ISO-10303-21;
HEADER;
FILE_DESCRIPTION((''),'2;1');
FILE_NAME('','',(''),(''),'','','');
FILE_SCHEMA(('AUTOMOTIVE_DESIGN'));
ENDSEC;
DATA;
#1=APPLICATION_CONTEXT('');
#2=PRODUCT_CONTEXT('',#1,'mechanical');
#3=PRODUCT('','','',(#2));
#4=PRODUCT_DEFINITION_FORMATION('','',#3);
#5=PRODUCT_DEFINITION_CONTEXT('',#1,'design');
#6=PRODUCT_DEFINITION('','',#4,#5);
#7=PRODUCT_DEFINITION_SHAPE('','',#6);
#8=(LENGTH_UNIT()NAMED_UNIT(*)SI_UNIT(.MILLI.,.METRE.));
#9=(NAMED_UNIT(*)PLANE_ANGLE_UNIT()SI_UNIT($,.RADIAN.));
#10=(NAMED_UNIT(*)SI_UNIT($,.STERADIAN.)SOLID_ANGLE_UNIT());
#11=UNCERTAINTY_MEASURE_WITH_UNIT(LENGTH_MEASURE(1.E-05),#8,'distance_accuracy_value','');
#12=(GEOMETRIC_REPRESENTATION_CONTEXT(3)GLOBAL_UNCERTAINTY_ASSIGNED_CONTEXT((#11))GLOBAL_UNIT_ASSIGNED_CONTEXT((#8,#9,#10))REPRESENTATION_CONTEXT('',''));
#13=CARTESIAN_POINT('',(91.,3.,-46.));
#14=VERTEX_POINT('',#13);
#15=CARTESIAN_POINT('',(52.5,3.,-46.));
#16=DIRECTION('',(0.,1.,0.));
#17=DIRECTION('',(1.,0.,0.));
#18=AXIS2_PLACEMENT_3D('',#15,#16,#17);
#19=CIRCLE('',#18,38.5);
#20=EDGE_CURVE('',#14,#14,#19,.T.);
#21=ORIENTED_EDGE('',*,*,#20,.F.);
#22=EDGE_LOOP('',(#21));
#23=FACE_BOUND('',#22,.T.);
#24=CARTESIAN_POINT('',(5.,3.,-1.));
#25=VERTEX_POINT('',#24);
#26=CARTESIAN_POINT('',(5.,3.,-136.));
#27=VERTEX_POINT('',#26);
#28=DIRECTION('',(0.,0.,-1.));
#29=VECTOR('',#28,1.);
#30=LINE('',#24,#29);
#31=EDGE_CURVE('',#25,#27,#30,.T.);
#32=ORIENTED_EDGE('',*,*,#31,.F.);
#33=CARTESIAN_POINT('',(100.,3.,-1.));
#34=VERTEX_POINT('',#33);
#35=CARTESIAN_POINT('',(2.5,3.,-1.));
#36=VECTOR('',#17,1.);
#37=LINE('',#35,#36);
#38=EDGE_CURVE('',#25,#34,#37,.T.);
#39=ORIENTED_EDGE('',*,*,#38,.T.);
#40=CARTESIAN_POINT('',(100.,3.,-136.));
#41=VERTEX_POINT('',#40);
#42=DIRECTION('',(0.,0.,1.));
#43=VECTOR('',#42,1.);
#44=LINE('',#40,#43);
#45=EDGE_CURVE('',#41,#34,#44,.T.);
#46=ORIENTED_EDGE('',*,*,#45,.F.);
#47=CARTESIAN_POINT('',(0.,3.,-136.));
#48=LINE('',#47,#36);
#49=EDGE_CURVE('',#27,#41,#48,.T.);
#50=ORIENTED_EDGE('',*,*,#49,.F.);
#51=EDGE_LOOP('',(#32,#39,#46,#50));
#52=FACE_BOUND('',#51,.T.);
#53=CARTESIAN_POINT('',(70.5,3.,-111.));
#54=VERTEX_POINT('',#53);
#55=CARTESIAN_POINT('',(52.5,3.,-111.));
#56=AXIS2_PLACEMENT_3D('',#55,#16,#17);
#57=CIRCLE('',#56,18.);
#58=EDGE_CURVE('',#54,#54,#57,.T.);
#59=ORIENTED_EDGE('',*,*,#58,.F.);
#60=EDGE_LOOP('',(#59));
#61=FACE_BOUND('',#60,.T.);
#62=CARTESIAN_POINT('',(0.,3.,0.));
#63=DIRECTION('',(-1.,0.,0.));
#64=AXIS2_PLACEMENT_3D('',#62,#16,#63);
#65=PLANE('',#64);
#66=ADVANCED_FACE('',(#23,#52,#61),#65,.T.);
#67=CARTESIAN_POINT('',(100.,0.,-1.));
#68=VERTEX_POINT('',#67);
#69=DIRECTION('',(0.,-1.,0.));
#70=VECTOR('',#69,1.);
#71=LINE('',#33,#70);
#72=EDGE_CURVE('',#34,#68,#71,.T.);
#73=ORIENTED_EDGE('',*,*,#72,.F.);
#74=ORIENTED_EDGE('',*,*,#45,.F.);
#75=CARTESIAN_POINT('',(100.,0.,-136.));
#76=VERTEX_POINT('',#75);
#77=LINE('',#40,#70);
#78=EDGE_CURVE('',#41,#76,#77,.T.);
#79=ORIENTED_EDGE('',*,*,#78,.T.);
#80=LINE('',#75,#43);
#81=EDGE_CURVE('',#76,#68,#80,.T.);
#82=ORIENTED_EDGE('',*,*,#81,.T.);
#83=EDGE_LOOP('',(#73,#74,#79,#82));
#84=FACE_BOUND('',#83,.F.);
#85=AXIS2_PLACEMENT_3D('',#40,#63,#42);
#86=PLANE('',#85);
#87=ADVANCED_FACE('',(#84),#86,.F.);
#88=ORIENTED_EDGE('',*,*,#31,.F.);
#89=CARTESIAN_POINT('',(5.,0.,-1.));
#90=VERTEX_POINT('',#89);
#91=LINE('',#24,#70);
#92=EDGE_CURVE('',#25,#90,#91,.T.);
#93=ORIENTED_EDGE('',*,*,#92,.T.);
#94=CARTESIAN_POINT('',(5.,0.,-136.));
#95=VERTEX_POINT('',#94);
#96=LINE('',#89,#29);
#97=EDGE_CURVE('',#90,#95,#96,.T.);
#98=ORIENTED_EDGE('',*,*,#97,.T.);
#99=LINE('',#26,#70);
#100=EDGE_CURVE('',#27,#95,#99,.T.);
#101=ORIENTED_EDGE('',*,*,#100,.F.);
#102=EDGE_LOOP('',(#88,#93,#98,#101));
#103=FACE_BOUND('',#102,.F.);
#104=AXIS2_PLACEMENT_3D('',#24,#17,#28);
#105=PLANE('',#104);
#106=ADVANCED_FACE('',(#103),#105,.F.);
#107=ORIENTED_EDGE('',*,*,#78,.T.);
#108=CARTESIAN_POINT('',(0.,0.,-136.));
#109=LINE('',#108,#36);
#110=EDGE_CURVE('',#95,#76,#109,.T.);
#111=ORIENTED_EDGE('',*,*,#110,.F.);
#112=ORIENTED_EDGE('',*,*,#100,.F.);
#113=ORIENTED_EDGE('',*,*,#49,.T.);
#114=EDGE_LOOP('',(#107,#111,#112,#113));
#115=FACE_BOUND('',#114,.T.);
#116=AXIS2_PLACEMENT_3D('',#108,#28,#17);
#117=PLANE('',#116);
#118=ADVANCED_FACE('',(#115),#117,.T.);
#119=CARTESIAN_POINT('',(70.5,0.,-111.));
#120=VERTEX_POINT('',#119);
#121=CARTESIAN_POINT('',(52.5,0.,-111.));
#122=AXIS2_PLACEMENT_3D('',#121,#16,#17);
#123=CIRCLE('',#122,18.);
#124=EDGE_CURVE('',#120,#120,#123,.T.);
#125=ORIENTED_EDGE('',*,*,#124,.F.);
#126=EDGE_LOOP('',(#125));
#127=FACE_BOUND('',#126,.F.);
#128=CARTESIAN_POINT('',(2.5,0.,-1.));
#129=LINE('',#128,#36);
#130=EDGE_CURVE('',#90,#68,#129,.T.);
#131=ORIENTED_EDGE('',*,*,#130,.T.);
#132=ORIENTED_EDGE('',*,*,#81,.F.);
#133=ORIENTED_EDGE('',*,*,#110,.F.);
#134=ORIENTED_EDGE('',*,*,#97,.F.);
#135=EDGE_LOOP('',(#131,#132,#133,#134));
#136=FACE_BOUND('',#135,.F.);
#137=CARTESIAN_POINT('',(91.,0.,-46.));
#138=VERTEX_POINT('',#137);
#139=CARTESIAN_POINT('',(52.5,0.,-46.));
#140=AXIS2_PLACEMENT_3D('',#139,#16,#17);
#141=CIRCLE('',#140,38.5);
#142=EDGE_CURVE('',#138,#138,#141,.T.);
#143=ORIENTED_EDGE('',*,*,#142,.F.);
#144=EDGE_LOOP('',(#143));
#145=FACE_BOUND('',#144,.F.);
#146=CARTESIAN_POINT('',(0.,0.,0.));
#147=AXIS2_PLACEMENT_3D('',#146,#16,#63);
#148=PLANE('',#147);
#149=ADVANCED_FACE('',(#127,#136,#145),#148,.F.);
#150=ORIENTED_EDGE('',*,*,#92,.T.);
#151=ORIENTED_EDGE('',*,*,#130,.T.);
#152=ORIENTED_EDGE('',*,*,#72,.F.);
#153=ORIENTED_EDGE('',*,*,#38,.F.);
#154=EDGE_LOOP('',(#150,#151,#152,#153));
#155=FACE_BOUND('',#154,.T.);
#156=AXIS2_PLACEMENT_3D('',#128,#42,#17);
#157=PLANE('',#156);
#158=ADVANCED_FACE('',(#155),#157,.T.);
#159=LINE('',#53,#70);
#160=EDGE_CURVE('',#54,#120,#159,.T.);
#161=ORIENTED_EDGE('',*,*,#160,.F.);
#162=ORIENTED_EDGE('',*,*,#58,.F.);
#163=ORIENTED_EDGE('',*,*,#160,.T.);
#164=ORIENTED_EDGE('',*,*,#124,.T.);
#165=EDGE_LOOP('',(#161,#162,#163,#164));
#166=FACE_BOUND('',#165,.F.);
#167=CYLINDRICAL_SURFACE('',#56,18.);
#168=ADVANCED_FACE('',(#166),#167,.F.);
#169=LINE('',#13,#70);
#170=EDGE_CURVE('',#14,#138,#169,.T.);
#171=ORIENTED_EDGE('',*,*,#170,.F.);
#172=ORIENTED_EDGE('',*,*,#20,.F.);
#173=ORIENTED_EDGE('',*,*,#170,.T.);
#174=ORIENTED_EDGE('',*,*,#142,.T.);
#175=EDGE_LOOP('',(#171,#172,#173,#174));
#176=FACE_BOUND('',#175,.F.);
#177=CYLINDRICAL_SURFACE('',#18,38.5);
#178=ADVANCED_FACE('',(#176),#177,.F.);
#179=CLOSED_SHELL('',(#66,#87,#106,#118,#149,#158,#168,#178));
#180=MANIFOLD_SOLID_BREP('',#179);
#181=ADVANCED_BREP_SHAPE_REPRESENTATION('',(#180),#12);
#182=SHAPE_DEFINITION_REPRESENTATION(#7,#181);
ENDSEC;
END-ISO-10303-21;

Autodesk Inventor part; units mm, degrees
ref_plane "YZ Plane" through (0, 0, 0) normal (1, 0, 0) x (0, 1, 0)
ref_plane "XZ Plane" through (0, 0, 0) normal (0, 1, 0) x (-1, 0, 0)
ref_plane "XY Plane" through (0, 0, 0) normal (0, 0, 1) x (1, 0, 0)
sketch "Boceto1" plane through (0, 0, 0) normal (0, 1, 0) x (-1, 0, 0)
  line L0 (0, 0) -> (-105, 0)
  line L1 (-105, 0) -> (-105, -140)
  line L2 (-105, -140) -> (0, -140)
  line L3 (0, -140) -> (0, 0)
  dimension "d0" = 105
  dimension "d1" = 140
extrude "Extrusión1" add sketch "Boceto1" along normal blind 3
sketch "Boceto2" plane through (0, 3, 0) normal (0, 1, 0) x (1, 0, 0)
  line L0 (0, 0) -> (105, 0) projected
  line L1 (105, 0) -> (105, 140) projected
  line L2 (105, 140) -> (0, 140) projected
  line L3 (0, 140) -> (0, 0) projected
  circle A0 centre (52.5, 46) radius 38.5
  circle A1 centre (52.5, 111) radius 18
  dimension "d4" = 77
  dimension "d5" = 46
  dimension "d6" = 52.5
  dimension "d7" = 36
  dimension "d8" = 52.5
  dimension "d13" = 65
extrude "Extrusión2" cut sketch "Boceto2" against normal blind 3 contours A0 | A1
sketch "Boceto3" plane through (0, 0, 0) normal (0, -1, 0) x (1, 0, 0)
  circle A0 centre (52.5, -111) radius 18 projected
  circle A1 centre (52.5, -46) radius 38.5 projected
  line L0 (0, 0) -> (105, 0) projected
  line L1 (0, -140) -> (0, 0) projected
  line L2 (105, -140) -> (0, -140) projected
  line L3 (105, 0) -> (105, -140) projected
  line L4 (105, -140) -> (0, -140) projected
  line L5 (0, -140) -> (0, 0) projected
  line L6 (105, -140) -> (0, -140)
  line L7 (0, -140) -> (0, -136)
  line L8 (0, -136) -> (105, -136)
  line L9 (105, -136) -> (105, -140)
  dimension "d14" = 4
extrude "Extrusión3" cut sketch "Boceto3" against normal blind 3 contours L8 L3 L2 L1
sketch "Boceto4" plane through (0, 0, 0) normal (0, -1, 0) x (1, 0, 0)
  line L0 (0, -136) -> (105, -136) projected
  line L1 (105, 0) -> (105, -136) projected
  line L2 (0, 0) -> (105, 0) projected
  line L3 (0, -136) -> (0, 0) projected
  circle A0 centre (52.5, -111) radius 18 projected
  circle A1 centre (52.5, -46) radius 38.5 projected
  line L4 (105, -136) -> (0, -136) projected
  line L5 (2.5, 0) -> (102.5, 0)
  line L6 (102.5, 0) -> (102.5, -136)
  line L7 (102.5, -136) -> (2.5, -136)
  line L8 (2.5, -136) -> (2.5, 0)
  line L9 (2.5, 0) -> (102.5, -136) construction
  line L10 (102.5, 0) -> (2.5, -136) construction
  point P0 (52.5, -68)
  dimension "d17" = 100
extrude "Extrusión4" cut sketch "Boceto4" against normal blind 3 contours L3 L2 L8 L0 | L6 L2 L1 L0
sketch "Boceto5" plane through (0, 3, 0) normal (0, 1, 0) x (1, 0, 0)
  point P0 (0, 0)
sketch "Boceto6" plane through (2.5, 0, 0) normal (0, 0, 1) x (1, 0, 0)
  line L0 (0, 3) -> (0, 0) projected
  line L1 (0, 0) -> (100, 0) projected
  line L2 (100, 0) -> (100, 3) projected
  line L3 (0, 3) -> (100, 3) projected
  point P0 (-2.5, 0)
extrude "Extrusión5" cut sketch "Boceto6" against normal blind 1
sketch "Boceto7" plane through (0, 3, 0) normal (0, 1, 0) x (1, 0, 0)
  line L0 (2.5, 1) -> (102.5, 1) projected
  line L1 (102.5, 1) -> (102.5, 136) projected
  line L2 (102.5, 136) -> (2.5, 136) projected
  line L3 (2.5, 136) -> (2.5, 1) projected
  circle A0 centre (52.5, 46) radius 38.5 projected
  circle A1 centre (52.5, 111) radius 18 projected
  line L4 (102.5, 136) -> (2.5, 136) projected
  line L5 (100, 1) -> (5, 1)
  line L6 (5, 1) -> (5, 136)
  line L7 (5, 136) -> (100, 136)
  line L8 (100, 136) -> (100, 1)
  line L9 (100, 1) -> (5, 136) construction
  line L10 (5, 1) -> (100, 136) construction
  point P0 (0, 0)
  point P1 (52.5, 68.5)
  dimension "d22" = 95
extrude "Extrusión6" cut sketch "Boceto7" against normal blind 3 contours L3 L2 L6 L0 | L8 L2 L1 L0
equation "\"d8\" = d6"
properties part number "frontal"
